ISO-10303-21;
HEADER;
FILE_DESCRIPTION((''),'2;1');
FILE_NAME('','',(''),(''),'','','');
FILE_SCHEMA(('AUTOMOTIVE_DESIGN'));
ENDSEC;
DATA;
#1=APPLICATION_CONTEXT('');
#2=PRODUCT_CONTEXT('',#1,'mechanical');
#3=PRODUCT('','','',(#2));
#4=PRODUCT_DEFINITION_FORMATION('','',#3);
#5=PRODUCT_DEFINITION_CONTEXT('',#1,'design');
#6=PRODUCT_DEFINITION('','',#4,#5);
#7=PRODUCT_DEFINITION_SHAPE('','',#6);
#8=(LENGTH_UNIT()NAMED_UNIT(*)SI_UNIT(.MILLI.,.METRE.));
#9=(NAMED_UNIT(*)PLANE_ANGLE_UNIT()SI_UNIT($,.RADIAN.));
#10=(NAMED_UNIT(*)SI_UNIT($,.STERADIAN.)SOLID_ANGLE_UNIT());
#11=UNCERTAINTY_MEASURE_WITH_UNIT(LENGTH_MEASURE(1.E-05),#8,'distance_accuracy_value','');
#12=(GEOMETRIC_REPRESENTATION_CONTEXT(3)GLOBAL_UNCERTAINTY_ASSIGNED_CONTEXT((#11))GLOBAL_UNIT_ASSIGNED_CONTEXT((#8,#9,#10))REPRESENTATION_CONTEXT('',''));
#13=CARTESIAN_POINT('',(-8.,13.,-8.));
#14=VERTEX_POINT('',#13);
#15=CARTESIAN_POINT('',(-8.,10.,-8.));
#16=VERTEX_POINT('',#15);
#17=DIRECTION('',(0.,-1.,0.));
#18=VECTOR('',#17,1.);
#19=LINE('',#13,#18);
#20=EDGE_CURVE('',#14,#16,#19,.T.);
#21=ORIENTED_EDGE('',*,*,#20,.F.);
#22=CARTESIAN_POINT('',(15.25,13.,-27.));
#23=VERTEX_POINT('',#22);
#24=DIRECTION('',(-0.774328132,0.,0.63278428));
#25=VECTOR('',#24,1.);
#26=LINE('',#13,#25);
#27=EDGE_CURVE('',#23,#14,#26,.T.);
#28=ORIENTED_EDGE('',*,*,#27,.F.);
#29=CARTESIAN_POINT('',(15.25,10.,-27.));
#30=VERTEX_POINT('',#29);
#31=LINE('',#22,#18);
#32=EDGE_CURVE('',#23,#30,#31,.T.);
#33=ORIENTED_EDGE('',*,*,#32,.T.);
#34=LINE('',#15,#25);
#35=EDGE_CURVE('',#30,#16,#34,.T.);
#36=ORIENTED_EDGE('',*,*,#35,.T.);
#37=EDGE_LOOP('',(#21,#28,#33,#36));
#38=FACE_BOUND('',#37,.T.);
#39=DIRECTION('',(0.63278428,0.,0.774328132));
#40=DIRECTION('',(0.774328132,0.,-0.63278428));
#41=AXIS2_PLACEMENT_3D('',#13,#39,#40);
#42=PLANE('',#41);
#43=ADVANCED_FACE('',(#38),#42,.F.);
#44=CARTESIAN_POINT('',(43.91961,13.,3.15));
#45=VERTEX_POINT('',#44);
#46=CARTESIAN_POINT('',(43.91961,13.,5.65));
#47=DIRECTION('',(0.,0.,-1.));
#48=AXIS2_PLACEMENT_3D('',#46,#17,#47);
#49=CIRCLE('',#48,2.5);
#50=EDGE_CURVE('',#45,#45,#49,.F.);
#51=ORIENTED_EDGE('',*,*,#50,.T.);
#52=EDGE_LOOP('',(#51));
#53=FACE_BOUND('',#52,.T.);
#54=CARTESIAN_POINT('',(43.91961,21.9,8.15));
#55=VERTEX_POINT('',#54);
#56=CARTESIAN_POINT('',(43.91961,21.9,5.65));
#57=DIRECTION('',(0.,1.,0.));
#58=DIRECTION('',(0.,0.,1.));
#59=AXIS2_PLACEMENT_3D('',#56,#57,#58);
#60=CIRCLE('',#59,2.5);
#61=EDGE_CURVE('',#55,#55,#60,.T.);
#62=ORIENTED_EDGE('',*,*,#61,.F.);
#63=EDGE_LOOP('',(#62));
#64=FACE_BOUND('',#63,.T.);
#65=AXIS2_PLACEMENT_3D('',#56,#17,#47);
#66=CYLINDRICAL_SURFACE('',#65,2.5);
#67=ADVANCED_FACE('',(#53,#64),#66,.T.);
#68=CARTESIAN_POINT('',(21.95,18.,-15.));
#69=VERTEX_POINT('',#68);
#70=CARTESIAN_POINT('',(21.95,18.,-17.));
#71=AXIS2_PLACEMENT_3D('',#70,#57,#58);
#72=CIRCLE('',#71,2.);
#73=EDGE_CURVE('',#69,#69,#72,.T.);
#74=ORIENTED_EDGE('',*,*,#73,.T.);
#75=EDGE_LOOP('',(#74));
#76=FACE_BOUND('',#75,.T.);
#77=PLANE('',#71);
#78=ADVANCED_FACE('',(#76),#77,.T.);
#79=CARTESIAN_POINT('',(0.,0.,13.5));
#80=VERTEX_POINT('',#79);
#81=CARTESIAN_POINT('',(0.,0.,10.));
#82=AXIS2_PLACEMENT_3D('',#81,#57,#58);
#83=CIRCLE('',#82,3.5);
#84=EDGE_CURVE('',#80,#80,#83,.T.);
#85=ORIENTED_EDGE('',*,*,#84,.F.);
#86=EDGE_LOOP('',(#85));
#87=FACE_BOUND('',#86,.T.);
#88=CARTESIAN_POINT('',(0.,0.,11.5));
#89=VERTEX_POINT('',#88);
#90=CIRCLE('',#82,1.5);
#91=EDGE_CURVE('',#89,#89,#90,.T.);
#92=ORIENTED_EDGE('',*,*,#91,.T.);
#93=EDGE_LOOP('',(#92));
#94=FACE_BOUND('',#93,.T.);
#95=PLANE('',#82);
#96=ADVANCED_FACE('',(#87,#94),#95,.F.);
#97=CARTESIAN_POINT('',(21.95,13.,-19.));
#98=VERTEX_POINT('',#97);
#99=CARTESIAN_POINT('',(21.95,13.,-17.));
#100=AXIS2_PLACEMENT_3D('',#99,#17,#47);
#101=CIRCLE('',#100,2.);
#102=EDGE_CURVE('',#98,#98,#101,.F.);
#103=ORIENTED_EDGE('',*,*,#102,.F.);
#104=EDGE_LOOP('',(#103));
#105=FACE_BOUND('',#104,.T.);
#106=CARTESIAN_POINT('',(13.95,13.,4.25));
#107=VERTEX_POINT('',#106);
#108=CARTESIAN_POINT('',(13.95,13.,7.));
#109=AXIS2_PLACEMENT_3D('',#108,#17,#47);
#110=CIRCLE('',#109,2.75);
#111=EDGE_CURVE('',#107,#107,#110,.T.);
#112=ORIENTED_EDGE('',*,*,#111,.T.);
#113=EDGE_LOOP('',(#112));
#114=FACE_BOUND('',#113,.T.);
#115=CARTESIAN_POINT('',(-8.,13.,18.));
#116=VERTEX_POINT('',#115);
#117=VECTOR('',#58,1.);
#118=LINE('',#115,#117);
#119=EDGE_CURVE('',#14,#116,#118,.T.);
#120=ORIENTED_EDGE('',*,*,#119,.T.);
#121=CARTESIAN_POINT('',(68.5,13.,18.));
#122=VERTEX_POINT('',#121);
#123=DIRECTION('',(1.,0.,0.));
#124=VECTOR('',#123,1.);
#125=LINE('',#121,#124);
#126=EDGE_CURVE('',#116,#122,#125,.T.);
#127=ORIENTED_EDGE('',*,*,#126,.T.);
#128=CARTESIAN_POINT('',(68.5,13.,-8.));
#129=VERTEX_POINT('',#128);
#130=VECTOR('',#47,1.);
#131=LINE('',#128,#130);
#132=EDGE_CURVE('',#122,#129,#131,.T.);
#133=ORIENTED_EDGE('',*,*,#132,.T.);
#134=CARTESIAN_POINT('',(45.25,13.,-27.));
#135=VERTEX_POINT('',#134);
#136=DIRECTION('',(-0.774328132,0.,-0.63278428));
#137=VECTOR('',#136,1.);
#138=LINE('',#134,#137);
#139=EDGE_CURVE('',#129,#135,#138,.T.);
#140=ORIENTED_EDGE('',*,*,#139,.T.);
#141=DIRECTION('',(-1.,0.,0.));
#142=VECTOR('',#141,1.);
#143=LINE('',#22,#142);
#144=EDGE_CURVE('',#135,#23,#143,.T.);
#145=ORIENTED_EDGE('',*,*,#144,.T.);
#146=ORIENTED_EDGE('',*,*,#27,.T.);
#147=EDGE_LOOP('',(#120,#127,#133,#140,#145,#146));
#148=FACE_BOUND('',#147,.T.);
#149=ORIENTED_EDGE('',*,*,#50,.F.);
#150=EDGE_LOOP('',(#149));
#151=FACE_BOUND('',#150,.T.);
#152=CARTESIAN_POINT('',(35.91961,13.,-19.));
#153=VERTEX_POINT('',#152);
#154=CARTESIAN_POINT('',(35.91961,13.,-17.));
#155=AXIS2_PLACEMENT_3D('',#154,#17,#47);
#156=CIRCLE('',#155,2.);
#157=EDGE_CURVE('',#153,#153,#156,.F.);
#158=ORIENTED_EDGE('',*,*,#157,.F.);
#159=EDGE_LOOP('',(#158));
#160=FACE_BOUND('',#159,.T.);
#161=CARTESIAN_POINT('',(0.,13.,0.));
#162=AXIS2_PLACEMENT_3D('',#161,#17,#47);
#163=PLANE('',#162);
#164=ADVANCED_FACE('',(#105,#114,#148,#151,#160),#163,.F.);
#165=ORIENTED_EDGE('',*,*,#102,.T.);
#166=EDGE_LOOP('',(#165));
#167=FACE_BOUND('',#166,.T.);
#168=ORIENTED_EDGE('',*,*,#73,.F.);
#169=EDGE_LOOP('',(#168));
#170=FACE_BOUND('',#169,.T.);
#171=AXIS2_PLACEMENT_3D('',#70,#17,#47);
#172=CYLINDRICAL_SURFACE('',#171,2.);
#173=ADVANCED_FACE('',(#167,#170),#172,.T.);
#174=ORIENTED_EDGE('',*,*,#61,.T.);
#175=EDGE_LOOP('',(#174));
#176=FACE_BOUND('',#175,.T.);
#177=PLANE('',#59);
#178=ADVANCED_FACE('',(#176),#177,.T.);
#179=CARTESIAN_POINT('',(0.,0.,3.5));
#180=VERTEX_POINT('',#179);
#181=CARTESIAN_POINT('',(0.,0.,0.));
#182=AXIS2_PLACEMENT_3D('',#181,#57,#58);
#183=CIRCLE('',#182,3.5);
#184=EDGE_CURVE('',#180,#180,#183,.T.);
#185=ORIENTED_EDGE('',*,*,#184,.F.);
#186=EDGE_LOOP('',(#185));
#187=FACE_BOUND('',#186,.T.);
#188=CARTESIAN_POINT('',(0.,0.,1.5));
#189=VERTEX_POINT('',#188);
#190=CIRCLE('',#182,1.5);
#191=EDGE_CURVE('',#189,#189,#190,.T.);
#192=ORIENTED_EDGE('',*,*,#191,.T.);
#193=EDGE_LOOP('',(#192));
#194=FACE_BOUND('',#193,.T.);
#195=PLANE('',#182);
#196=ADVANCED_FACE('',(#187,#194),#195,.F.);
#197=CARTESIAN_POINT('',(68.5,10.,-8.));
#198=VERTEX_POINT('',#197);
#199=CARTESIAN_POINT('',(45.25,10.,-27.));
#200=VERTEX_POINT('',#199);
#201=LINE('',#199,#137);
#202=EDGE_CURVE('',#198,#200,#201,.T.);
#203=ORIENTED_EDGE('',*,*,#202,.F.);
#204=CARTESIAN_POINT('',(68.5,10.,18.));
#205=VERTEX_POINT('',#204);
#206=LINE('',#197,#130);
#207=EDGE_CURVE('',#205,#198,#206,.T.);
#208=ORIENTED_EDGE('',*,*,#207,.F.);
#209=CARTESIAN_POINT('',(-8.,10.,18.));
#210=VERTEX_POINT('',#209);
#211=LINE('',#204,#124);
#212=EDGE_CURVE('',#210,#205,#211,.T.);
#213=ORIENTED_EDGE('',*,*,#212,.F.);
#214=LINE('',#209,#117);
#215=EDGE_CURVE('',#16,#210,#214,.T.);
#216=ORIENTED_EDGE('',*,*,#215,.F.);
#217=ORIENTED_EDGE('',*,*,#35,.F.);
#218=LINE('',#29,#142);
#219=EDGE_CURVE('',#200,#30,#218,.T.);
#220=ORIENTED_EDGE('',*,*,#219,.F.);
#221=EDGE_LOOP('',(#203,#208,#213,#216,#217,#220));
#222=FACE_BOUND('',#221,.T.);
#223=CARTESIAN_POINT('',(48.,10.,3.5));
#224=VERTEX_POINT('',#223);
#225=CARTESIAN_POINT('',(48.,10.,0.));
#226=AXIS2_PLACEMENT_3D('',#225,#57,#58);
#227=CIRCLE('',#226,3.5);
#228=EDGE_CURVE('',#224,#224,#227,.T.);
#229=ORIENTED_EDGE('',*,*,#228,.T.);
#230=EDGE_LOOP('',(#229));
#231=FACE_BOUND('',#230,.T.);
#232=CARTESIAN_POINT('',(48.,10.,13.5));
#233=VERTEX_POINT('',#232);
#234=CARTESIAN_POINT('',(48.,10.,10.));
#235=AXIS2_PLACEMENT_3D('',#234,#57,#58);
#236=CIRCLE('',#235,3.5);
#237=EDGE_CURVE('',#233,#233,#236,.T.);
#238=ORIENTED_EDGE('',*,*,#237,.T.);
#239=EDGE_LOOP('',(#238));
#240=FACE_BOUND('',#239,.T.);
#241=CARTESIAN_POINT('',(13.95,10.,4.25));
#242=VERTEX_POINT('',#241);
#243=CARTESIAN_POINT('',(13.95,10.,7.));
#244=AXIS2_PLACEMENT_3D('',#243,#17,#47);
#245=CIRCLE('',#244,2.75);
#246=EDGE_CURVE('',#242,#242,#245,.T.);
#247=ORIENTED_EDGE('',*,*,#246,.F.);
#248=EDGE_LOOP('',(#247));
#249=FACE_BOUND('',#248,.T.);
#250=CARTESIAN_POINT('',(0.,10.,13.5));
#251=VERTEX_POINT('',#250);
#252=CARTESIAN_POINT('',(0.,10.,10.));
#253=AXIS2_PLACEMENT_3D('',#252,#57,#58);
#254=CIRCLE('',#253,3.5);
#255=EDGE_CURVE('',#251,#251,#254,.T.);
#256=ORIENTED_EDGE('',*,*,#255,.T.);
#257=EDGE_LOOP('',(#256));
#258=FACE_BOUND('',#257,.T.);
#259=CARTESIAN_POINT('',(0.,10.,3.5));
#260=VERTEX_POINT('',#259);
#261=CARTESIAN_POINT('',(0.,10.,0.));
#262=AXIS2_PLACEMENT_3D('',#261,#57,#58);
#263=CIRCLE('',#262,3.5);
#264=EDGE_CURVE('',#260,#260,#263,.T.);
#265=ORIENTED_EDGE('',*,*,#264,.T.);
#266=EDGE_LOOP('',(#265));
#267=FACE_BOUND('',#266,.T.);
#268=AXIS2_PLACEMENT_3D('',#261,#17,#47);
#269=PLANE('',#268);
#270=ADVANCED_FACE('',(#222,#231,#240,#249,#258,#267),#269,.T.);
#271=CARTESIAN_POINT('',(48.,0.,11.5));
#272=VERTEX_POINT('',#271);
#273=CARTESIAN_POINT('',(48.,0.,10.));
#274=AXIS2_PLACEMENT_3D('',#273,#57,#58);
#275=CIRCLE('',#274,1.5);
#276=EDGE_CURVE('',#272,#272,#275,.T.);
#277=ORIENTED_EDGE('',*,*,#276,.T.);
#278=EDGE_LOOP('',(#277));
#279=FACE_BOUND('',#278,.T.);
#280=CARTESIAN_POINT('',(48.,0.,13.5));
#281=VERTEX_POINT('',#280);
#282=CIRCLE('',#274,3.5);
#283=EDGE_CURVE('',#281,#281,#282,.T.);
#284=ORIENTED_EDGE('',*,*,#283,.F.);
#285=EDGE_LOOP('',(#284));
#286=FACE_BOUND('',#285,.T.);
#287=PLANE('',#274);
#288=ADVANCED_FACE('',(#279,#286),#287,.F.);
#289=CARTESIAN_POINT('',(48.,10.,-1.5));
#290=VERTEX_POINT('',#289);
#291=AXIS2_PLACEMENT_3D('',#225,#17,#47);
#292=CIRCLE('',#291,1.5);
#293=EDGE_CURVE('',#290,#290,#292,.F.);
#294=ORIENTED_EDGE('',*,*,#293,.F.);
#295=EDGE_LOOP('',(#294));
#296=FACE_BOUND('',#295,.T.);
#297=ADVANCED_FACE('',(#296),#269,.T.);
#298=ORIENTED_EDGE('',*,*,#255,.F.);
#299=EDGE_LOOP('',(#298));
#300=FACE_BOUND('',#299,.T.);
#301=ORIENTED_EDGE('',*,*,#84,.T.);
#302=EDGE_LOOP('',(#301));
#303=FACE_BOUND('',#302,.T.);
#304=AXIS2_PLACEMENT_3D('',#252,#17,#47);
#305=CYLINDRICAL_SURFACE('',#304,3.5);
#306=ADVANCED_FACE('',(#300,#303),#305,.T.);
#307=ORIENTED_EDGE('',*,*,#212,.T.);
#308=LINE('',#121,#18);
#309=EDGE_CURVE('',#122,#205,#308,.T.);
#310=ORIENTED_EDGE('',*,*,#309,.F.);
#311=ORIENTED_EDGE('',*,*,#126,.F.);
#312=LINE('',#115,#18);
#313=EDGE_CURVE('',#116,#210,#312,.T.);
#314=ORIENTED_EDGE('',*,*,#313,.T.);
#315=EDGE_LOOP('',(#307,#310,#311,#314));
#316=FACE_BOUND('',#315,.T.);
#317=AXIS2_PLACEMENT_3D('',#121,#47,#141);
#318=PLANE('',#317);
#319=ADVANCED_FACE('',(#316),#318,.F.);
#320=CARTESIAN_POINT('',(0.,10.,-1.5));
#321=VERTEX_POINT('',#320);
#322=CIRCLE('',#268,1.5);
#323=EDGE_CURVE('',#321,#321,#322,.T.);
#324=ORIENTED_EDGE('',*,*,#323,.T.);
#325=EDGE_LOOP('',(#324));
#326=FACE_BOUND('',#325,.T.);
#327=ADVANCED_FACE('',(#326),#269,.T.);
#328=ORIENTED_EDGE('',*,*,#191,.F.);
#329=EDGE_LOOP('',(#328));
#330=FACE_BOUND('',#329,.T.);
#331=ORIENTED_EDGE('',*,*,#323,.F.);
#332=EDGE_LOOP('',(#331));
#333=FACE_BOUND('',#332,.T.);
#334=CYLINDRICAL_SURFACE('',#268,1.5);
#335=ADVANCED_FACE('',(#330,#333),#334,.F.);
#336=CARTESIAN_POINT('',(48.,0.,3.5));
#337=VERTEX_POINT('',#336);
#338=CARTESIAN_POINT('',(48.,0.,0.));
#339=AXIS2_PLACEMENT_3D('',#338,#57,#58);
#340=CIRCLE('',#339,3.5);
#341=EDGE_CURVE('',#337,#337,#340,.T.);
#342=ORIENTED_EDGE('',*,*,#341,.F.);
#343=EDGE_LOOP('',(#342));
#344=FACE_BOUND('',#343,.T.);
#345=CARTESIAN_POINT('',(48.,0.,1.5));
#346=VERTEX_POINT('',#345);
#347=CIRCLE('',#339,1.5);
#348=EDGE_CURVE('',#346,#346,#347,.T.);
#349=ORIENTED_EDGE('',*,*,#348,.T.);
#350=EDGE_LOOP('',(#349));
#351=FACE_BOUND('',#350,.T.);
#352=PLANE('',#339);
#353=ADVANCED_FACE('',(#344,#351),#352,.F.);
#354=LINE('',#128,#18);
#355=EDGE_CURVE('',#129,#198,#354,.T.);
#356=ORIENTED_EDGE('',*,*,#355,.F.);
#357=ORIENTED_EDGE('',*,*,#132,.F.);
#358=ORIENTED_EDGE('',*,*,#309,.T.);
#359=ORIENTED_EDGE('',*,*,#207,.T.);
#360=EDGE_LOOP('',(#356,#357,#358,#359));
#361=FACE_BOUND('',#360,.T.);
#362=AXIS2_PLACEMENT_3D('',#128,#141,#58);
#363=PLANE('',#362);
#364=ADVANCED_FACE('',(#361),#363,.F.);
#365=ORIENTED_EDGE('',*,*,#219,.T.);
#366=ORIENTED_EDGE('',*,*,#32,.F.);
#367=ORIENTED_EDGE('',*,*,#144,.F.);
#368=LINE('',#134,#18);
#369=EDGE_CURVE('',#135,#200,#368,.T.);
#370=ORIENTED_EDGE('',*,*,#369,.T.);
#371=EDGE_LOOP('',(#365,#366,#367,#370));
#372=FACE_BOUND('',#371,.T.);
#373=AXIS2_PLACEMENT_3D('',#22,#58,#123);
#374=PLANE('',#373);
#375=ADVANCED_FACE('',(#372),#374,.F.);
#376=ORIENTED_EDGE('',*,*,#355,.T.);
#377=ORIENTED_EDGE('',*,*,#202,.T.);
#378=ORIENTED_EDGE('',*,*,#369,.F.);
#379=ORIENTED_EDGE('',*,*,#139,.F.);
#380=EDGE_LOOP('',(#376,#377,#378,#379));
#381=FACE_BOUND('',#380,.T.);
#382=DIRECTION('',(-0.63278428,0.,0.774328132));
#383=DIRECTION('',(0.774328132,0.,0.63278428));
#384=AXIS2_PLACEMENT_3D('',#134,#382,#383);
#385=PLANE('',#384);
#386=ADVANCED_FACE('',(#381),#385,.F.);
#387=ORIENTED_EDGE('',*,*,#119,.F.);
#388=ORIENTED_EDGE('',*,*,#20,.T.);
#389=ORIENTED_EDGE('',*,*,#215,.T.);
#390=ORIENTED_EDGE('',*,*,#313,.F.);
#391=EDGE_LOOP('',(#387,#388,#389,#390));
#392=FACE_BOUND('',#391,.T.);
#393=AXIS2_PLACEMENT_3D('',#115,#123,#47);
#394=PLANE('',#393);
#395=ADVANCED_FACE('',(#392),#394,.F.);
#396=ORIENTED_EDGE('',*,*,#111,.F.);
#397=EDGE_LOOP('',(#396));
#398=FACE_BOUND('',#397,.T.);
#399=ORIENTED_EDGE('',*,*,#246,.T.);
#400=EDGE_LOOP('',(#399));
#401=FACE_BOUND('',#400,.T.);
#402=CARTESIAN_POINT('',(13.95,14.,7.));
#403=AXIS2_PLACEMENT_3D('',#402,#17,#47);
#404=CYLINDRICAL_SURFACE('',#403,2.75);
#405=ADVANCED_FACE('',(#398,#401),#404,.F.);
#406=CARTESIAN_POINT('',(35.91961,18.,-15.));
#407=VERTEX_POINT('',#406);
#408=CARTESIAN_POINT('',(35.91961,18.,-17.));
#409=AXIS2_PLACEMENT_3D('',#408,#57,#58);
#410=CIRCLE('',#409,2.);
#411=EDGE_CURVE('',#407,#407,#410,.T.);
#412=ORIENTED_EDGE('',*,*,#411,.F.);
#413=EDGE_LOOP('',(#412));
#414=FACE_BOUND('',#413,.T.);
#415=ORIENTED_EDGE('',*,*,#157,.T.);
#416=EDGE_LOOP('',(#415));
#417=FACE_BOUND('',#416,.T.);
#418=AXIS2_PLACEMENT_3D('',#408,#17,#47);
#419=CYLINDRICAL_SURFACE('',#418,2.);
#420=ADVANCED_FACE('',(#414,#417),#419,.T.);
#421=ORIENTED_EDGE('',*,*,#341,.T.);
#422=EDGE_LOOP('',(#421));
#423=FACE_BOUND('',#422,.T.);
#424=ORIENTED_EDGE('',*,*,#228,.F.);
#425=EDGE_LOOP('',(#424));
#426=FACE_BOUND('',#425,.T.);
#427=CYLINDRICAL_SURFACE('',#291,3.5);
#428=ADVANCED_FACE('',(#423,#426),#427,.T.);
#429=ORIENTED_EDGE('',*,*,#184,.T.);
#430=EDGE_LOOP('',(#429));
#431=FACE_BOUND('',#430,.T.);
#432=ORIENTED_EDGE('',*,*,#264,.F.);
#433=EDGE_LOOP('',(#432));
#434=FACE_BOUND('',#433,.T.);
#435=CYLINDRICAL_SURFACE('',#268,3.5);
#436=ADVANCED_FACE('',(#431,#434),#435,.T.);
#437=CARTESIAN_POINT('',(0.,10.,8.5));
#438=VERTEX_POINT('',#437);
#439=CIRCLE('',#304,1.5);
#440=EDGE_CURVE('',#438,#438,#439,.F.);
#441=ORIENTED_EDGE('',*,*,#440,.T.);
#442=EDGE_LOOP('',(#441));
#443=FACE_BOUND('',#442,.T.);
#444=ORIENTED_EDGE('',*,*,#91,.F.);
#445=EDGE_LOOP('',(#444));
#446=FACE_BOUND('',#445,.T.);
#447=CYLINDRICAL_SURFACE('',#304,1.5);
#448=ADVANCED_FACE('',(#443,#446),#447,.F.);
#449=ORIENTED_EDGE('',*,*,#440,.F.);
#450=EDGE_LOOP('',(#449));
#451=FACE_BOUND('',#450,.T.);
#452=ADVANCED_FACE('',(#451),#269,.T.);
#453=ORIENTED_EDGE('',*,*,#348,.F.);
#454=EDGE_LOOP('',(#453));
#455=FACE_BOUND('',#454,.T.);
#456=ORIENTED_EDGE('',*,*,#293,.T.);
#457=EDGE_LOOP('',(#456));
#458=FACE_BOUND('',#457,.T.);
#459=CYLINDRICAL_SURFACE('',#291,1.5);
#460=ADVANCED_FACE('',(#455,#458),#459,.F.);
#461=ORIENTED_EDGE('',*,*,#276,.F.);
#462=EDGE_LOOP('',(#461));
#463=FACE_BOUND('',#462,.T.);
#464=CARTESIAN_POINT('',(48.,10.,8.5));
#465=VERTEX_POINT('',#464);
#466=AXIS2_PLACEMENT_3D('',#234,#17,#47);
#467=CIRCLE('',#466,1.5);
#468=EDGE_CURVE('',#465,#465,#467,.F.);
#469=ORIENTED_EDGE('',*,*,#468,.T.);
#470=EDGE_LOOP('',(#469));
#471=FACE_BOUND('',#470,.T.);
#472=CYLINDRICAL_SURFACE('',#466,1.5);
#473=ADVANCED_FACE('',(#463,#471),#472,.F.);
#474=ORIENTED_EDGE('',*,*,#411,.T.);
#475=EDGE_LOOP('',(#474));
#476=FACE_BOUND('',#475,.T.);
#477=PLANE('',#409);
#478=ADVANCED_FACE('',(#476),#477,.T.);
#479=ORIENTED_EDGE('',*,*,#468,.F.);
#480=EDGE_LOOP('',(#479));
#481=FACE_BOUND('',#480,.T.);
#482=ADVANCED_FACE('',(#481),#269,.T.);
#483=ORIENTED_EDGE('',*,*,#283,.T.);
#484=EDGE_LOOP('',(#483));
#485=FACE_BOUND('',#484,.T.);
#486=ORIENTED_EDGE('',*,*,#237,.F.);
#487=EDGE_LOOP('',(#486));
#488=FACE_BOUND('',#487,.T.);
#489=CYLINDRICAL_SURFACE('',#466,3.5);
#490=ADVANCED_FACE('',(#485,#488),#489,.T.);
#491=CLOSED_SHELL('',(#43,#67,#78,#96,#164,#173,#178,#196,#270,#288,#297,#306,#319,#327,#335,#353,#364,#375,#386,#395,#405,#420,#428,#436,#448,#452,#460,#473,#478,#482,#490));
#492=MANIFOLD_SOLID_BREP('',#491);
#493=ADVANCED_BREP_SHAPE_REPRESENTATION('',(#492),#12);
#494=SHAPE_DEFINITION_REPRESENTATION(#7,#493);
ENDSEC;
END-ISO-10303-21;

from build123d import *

# Parameters (mm, degrees)
SKETCH1_R             = 3.5
SKETCH1_R_2           = 1.5
BOSS_EXTRUDE1_DEPTH   = 10
BOSS_EXTRUDE1_2_DEPTH = 10
BOSS_EXTRUDE1_3_DEPTH = 10
BOSS_EXTRUDE1_4_DEPTH = 10
BOSS_EXTRUDE2_DEPTH   = 3
SKETCH3_R             = 2.75
CUT_EXTRUDE1_DEPTH    = 4
SKETCH4_R             = 2.5
BOSS_EXTRUDE3_DEPTH   = 8.9
SKETCH5_R             = 2
BOSS_EXTRUDE4_DEPTH   = 5


with BuildPart() as part:
    # Sketch1 → Boss-Extrude1 (new body)
    with BuildSketch(Plane(origin=(0, 0, 0), x_dir=(1, 0, 0), z_dir=(0, 1, 0))):
        with Locations(Location((0, 0, 0), (0, 0, 270))):
            Circle(SKETCH1_R)
        with Locations(Location((0, 0, 0), (0, 0, 270))):
            Circle(SKETCH1_R_2, mode=Mode.SUBTRACT)
    extrude(amount=BOSS_EXTRUDE1_DEPTH)



with BuildPart() as body_2:
    # Sketch1 → Boss-Extrude1 2 (new body)
    with BuildSketch(Plane(origin=(0, 0, 0), x_dir=(1, 0, 0), z_dir=(0, 1, 0))):
        with Locations(Location((0, -10, 0), (0, 0, 270))):
            Circle(SKETCH1_R)
        with Locations(Location((0, -10, 0), (0, 0, 270))):
            Circle(SKETCH1_R_2, mode=Mode.SUBTRACT)
    extrude(amount=BOSS_EXTRUDE1_2_DEPTH)


with BuildPart() as body_3:
    # Sketch1 → Boss-Extrude1 3 (new body)
    with BuildSketch(Plane(origin=(0, 0, 0), x_dir=(1, 0, 0), z_dir=(0, 1, 0))):
        with Locations(Location((48, -10, 0), (0, 0, 270))):
            Circle(SKETCH1_R)
        with Locations(Location((48, -10, 0), (0, 0, 270))):
            Circle(SKETCH1_R_2, mode=Mode.SUBTRACT)
    extrude(amount=BOSS_EXTRUDE1_3_DEPTH)


with BuildPart() as body_4:
    # Sketch1 → Boss-Extrude1 4 (new body)
    with BuildSketch(Plane(origin=(0, 0, 0), x_dir=(1, 0, 0), z_dir=(0, 1, 0))):
        with Locations(Location((48, 0, 0), (0, 0, 270))):
            Circle(SKETCH1_R)
        with Locations(Location((48, 0, 0), (0, 0, 270))):
            Circle(SKETCH1_R_2, mode=Mode.SUBTRACT)
    extrude(amount=BOSS_EXTRUDE1_4_DEPTH)


with BuildPart() as part_1:
    add(part.part)

    add(body_2.part)  # Boss-Extrude2 merges body 2

    add(body_3.part)  # Boss-Extrude2 merges body 3

    add(body_4.part)  # Boss-Extrude2 merges body 4
    # Sketch2 → Boss-Extrude2 (add)
    with BuildSketch(Plane(origin=(0, 10, 0), x_dir=(1, 0, 0), z_dir=(0, 1, 0))):
        Polygon((-8, -18), (-8, 8), (15.25, 27), (45.25, 27), (68.5, 8), (68.5, -18), align=None)
    extrude(amount=BOSS_EXTRUDE2_DEPTH)

    # Sketch3 → Cut-Extrude1 (cut)
    with BuildSketch(Plane.XZ.offset(-10)):
        with Locations(Location((13.95, 7, 0), (0, 0, 270))):
            Circle(SKETCH3_R)
    extrude(amount=-CUT_EXTRUDE1_DEPTH, mode=Mode.SUBTRACT)

    # Sketch4 → Boss-Extrude3 (add)
    with BuildSketch(Plane(origin=(0, 13, 0), x_dir=(1, 0, 0), z_dir=(0, 1, 0))):
        with Locations(Location((43.919609607, -5.65, 0), (0, 0, 90))):
            Circle(SKETCH4_R)
    extrude(amount=BOSS_EXTRUDE3_DEPTH)

    # Sketch5 → Boss-Extrude4 (add)
    with BuildSketch(Plane(origin=(0, 13, 0), x_dir=(1, 0, 0), z_dir=(0, 1, 0))):
        with Locations(Location((21.95, 17, 0), (0, 0, 90))):
            Circle(SKETCH5_R)
        with Locations(Location((35.919609607, 17, 0), (0, 0, 90))):
            Circle(SKETCH5_R)
    extrude(amount=BOSS_EXTRUDE4_DEPTH)


solid = part_1.part
